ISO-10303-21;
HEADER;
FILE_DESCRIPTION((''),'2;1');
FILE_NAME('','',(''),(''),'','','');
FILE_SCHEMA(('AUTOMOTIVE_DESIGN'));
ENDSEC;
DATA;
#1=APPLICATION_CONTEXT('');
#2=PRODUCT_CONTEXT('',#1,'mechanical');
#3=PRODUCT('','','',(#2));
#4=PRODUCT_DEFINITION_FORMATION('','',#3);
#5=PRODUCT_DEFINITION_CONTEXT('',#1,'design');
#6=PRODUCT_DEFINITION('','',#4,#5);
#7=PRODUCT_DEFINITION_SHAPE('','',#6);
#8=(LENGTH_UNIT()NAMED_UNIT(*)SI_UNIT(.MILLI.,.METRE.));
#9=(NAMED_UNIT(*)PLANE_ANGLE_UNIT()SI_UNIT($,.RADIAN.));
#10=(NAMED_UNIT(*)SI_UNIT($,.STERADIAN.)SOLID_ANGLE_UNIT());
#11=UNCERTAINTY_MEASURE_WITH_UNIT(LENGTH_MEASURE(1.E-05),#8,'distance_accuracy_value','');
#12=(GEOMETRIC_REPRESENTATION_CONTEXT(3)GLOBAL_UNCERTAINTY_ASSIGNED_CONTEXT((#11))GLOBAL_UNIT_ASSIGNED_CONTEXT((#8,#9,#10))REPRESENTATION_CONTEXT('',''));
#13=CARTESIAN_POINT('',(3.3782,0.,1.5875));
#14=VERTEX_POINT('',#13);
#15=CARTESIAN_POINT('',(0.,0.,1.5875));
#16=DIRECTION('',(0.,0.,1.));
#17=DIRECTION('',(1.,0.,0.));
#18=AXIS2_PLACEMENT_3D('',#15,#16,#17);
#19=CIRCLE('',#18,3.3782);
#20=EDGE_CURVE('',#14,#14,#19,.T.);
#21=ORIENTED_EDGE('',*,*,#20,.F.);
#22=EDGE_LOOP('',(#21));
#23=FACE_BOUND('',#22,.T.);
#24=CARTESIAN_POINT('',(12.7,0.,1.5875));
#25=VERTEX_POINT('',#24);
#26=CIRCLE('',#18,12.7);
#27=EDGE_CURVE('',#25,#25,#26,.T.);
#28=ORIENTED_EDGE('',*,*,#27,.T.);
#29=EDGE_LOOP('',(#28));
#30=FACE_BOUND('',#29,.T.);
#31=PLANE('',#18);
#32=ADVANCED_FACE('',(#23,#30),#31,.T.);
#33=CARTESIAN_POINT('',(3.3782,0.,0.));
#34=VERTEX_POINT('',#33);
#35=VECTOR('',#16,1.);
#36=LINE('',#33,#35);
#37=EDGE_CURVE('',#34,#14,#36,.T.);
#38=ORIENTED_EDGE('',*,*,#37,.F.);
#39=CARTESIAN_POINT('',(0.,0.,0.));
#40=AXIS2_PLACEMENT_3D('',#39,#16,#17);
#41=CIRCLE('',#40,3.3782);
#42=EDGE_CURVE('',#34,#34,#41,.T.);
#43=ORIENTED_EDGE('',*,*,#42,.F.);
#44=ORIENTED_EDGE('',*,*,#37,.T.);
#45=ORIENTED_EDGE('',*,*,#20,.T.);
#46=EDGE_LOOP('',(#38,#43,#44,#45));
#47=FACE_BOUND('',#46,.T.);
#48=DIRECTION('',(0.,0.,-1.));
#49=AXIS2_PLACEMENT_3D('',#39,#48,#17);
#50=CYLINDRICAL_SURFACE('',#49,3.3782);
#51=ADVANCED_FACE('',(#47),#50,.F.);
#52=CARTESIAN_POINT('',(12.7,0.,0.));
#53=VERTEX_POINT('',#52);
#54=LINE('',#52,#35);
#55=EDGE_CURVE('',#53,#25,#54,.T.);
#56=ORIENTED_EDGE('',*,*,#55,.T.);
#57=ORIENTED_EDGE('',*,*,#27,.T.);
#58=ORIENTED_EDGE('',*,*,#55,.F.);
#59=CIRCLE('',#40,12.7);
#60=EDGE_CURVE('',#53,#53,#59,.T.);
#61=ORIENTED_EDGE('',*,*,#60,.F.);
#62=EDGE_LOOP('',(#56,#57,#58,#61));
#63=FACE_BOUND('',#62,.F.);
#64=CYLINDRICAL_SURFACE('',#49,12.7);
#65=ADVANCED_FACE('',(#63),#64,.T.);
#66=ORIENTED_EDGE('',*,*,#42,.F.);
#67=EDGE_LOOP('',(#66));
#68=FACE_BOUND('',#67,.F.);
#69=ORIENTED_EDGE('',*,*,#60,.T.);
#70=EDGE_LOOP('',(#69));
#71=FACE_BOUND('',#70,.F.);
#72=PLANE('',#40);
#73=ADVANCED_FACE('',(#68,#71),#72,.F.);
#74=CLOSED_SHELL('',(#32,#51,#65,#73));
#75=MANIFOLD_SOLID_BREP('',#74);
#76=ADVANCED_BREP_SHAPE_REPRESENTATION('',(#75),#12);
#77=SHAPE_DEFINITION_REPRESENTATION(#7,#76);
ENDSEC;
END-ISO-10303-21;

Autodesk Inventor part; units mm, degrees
ref_plane "YZ Plane" through (0, 0, 0) normal (1, 0, 0) x (0, 1, 0)
ref_plane "XZ Plane" through (0, 0, 0) normal (0, 1, 0) x (-1, 0, 0)
ref_plane "XY Plane" through (0, 0, 0) normal (0, 0, 1) x (1, 0, 0)
sketch "Sketch1" plane through (0, 0, 0) normal (0, 0, 1) x (1, 0, 0)
  circle A0 centre (0, 0) radius 3.3782
  circle A1 centre (0, 0) radius 12.7
  dimension "d0" = 6.7564
  dimension "d1" = 25.4
extrude "Extrusion1" add sketch "Sketch1" along normal blind 1.5875
properties part number "Bearing Washer" material "Steel"
